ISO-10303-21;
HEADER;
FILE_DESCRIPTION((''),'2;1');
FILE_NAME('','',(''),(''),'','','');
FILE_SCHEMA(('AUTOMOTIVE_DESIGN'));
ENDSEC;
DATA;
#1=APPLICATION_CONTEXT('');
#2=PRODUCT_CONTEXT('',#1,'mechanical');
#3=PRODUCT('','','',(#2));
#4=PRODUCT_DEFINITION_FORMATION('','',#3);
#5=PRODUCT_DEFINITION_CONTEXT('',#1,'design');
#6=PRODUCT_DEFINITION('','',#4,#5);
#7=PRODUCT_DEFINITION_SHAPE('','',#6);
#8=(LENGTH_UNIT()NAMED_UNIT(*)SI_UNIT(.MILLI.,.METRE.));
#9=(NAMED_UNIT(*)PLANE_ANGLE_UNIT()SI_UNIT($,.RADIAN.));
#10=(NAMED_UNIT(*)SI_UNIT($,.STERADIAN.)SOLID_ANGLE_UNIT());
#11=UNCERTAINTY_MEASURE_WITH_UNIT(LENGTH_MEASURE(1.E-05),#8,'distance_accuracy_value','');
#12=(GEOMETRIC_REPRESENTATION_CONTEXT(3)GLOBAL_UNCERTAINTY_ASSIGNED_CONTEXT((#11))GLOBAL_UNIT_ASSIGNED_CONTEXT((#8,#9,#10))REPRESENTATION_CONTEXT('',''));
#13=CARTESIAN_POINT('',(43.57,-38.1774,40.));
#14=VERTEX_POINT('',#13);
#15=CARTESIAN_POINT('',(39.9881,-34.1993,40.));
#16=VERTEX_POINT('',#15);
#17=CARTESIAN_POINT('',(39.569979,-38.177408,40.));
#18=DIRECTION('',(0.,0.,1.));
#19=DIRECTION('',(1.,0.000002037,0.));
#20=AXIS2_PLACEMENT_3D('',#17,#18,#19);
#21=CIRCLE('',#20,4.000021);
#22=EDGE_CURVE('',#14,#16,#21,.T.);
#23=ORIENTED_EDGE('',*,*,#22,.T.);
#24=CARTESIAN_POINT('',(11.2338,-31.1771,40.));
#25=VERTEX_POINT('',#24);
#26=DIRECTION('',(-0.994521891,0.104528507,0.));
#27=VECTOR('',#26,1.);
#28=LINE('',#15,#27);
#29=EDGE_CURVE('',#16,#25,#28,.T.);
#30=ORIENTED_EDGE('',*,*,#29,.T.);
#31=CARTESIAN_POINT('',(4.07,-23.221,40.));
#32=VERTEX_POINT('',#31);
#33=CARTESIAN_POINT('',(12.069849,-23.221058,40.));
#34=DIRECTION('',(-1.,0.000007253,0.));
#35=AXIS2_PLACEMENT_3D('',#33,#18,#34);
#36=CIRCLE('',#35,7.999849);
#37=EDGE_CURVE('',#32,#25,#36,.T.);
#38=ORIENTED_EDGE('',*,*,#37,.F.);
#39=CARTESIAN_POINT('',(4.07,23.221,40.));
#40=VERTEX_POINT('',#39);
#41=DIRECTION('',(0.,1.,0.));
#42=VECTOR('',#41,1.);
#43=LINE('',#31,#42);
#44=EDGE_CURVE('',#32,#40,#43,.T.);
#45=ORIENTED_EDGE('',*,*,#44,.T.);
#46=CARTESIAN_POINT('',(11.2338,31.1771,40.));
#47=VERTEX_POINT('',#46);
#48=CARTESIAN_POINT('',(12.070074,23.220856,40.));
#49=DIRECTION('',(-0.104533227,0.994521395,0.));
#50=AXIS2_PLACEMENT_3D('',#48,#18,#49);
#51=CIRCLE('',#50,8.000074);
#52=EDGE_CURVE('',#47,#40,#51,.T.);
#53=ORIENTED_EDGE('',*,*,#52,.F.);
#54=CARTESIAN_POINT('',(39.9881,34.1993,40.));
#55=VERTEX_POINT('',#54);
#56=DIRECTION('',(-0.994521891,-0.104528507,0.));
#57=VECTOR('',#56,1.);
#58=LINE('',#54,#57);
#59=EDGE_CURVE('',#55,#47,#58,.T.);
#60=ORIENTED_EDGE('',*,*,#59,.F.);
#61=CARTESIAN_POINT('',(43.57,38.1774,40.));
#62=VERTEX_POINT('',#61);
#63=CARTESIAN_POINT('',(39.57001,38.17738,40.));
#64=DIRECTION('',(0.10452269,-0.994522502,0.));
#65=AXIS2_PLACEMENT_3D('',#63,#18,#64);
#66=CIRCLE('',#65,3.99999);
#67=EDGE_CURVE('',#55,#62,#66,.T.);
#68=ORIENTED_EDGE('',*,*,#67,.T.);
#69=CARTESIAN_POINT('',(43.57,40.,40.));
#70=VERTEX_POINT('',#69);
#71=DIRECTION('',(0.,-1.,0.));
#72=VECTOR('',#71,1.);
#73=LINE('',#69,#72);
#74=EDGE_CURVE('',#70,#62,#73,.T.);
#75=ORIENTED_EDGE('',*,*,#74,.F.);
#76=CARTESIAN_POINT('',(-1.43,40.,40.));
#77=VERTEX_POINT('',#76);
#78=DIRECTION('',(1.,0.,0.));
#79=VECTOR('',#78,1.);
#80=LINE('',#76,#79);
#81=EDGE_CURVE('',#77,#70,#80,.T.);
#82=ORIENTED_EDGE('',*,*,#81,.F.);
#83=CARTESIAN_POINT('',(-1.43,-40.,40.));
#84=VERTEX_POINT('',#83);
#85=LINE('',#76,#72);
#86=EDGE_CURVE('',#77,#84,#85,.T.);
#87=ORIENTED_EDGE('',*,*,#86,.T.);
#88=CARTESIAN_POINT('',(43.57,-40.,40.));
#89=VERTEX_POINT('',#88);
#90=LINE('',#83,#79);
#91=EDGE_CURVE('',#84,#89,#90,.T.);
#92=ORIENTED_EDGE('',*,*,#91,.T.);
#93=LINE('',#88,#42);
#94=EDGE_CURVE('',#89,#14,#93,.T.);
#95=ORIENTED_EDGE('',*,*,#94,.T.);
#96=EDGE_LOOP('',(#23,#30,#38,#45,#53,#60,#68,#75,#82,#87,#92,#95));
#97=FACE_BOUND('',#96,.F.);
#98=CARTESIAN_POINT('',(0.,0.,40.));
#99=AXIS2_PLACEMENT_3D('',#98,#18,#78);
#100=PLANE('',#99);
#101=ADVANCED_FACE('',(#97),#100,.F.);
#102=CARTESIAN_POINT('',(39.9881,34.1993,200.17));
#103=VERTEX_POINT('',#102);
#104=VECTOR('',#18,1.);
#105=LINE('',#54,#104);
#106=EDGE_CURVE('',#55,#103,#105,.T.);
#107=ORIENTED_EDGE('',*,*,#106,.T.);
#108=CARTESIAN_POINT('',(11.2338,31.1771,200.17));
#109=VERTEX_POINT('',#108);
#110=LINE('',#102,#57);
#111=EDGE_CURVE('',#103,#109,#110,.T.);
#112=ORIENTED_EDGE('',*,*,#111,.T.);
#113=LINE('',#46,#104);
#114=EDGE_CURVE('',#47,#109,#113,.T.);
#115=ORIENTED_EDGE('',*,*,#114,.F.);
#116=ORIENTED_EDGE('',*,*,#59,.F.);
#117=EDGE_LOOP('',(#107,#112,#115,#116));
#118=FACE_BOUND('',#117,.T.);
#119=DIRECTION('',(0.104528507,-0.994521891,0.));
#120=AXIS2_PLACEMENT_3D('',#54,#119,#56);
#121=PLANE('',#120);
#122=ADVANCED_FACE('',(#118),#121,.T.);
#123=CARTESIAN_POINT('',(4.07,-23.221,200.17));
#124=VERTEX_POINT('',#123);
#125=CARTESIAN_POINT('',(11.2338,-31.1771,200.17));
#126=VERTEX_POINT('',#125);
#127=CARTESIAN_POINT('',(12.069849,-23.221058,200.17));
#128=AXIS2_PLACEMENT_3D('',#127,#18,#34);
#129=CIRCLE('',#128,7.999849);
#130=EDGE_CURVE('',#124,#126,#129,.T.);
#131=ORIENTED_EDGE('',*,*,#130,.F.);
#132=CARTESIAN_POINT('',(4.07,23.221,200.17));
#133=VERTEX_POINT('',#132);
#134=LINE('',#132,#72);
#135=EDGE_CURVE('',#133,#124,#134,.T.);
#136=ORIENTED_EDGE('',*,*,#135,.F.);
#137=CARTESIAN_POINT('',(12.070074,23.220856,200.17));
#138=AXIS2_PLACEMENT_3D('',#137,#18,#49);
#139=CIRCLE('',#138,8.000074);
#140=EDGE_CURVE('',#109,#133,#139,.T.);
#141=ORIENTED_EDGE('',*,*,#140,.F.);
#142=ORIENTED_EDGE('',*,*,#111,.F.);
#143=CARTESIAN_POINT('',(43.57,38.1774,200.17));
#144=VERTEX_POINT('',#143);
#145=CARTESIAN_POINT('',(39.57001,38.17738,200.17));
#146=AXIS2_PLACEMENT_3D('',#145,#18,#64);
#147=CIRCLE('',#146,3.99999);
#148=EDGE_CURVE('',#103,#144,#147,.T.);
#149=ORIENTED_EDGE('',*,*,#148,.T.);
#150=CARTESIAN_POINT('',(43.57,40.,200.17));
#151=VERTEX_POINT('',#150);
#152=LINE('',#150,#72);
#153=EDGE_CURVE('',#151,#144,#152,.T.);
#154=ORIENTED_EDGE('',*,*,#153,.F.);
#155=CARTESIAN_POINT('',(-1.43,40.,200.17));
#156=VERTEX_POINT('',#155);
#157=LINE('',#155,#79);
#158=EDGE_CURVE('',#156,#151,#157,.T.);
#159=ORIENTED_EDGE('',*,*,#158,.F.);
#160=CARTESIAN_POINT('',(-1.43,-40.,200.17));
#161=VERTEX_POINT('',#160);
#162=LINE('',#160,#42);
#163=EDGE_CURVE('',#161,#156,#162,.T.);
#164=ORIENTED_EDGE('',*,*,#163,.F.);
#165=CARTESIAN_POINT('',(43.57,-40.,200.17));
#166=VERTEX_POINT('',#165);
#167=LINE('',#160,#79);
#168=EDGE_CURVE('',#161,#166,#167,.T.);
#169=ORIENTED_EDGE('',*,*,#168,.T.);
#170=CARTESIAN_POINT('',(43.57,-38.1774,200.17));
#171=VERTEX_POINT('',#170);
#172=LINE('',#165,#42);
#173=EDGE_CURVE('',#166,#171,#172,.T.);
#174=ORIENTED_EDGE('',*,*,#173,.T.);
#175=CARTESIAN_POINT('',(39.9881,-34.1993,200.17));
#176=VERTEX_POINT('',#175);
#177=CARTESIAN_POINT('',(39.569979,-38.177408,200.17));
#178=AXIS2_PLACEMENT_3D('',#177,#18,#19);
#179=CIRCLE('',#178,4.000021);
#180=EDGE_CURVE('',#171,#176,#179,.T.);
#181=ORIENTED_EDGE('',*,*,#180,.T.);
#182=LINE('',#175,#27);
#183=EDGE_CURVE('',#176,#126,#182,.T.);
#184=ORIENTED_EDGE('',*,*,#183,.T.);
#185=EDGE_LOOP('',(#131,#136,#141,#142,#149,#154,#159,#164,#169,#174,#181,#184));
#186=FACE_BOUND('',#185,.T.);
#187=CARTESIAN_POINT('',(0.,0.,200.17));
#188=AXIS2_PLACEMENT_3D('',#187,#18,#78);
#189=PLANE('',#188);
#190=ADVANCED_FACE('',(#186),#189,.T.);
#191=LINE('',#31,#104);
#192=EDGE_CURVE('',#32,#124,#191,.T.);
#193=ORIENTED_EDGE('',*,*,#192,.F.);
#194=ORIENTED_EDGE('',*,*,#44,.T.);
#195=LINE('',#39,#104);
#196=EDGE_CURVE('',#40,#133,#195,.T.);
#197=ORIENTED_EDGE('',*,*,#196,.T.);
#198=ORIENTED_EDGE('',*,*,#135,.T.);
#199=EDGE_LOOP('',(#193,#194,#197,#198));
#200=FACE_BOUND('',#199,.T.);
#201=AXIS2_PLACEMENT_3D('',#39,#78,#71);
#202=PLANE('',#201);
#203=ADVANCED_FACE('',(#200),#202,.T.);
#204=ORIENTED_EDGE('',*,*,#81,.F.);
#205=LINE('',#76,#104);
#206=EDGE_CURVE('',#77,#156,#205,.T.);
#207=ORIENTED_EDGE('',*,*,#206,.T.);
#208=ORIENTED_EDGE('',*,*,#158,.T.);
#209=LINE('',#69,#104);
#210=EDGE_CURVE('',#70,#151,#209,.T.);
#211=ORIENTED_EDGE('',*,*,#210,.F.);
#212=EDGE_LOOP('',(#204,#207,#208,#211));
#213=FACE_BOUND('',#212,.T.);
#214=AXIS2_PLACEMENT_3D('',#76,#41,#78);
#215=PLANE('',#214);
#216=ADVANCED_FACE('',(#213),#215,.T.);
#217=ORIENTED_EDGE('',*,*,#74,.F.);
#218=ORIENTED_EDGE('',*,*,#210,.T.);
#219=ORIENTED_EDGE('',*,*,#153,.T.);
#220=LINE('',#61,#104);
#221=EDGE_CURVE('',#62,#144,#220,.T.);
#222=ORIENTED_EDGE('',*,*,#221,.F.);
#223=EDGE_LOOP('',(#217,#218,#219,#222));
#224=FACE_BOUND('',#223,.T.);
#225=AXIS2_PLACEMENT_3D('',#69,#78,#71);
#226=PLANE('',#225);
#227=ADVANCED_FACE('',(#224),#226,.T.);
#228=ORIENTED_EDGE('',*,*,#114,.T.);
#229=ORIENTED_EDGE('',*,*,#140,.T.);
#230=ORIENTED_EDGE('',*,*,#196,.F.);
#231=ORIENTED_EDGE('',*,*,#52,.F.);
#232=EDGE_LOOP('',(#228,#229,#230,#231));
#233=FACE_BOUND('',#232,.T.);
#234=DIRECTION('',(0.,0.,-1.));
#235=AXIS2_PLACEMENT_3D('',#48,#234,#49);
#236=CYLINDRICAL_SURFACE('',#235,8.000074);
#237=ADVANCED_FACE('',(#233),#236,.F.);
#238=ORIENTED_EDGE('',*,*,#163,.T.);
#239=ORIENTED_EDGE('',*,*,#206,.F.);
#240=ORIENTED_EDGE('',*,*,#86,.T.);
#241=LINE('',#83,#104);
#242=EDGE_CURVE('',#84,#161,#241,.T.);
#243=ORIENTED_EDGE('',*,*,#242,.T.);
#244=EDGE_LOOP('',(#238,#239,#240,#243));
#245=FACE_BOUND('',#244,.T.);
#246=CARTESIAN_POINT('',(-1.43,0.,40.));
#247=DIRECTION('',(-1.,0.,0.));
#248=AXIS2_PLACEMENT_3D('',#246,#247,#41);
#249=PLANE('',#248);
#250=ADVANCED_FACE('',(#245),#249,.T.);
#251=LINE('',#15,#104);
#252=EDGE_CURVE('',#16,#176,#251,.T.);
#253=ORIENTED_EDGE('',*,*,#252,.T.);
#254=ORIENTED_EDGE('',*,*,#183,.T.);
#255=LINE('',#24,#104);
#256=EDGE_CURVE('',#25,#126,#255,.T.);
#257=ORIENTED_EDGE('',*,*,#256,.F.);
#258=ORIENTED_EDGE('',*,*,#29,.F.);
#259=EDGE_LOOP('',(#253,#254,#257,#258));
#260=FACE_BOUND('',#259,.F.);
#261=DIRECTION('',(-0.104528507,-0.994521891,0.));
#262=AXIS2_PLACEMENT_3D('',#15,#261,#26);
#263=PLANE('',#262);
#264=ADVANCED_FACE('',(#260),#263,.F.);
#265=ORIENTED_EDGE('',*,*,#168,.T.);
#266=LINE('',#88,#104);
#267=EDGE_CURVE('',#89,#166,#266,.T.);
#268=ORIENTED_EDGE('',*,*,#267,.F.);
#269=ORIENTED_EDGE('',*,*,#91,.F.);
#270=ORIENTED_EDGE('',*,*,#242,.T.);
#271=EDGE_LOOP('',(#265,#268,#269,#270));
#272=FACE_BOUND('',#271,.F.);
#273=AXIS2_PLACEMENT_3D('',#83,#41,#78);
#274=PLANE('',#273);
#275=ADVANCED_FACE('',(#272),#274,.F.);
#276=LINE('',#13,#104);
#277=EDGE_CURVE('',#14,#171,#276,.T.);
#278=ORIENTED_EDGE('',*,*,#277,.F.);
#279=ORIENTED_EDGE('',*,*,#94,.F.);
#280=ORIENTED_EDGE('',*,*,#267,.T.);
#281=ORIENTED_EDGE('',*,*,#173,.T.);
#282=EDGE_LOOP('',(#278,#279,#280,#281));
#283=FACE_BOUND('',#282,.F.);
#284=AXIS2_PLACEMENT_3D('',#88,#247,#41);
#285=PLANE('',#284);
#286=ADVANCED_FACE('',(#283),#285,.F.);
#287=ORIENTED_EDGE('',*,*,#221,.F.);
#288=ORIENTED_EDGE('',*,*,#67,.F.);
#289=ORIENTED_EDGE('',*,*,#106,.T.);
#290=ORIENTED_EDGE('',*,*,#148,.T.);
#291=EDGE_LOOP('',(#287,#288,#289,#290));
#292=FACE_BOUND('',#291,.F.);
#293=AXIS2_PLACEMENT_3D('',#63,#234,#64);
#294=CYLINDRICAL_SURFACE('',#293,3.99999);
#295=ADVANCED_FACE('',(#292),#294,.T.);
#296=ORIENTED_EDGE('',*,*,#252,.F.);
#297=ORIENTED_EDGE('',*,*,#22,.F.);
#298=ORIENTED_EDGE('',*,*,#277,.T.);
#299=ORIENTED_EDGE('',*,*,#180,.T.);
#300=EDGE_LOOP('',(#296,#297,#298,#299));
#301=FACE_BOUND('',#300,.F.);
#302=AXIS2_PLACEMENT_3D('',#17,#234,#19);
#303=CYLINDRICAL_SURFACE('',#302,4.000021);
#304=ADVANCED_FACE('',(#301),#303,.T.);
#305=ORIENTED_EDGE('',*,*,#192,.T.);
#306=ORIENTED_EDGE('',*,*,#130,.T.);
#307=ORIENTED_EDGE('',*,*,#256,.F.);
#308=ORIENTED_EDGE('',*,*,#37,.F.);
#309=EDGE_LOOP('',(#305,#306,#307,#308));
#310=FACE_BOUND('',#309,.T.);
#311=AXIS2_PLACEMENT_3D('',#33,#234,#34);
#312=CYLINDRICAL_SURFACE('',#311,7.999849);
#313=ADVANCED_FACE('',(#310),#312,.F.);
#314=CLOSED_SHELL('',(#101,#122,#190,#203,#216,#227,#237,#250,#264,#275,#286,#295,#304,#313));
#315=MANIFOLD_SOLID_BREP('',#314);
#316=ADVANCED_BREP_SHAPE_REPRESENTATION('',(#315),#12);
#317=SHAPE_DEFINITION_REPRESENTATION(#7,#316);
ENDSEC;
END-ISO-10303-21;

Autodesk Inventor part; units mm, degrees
ref_plane "Начальная плоскость" through (0, 0, 40) normal (0, 0, 1) x (1, 0, 0)
ref_plane "Конечная плоскость" through (0, 0, 200.17) normal (0, 0, 1) x (1, 0, 0)
sketch "Эскиз" plane through (0, 0, 0) normal (0, 0, 1) x (1, 0, 0)
  line L0 (-1.43, 0) -> (-1.43, 40)
  line L1 (-1.43, 40) -> (43.57, 40)
  line L2 (43.57, 40) -> (43.57, 38.1774)
  line L3 (39.9881, 34.1993) -> (11.2338, 31.1771)
  line L4 (4.07, 23.221) -> (4.07, 0)
  line L5 (4.07, 0) -> (-1.43, 0) construction
  line L6 (23.82, 40) -> (23.82, 32.5) construction
  line L7 (43.57, 34.5758) -> (43.57, 32.5) construction
  line L8 (43.57, 32.5) -> (23.82, 32.5) construction
  line L9 (0, 15) -> (0, -27) construction
  line L10 (-5.539, 0) -> (16.0067, 0) construction
  line L11 (-1.43, 0) -> (-1.43, -40)
  line L12 (-1.43, -40) -> (43.57, -40)
  line L13 (43.57, -40) -> (43.57, -38.1774)
  line L14 (39.9881, -34.1993) -> (11.2338, -31.1771)
  line L15 (4.07, -23.221) -> (4.07, 0)
  arc A0 (11.2338, 31.1771) -> (4.07, 23.221) centre (12.07, 23.221) ccw
  arc A1 (4.07, -23.221) -> (11.2338, -31.1771) centre (12.07, -23.221) ccw
  arc A2 (39.9881, 34.1993) -> (43.57, 38.1774) centre (39.57, 38.1774) ccw
  arc A3 (43.57, -38.1774) -> (39.9881, -34.1993) centre (39.57, -38.1774) ccw
  line L16 (0, 56) -> (0, -56) construction
  line L17 (-15.5135, 0) -> (54.308, 0) construction
  point P0 (4.07, 30.4242)
  point P1 (43.57, -34.5758)
  point P2 (4.07, -30.4242)
  point P3 (23.82, -40)
  point P4 (23.82, -32.5)
  dimension "d0" = 5.5
  dimension "d1" = 40
  dimension "d2" = 45
  dimension "d3" = 7.5
  dimension "d4" = 19.75
  dimension "d5" = 2.0758
  dimension "d23" = 8
  dimension "d24" = 4
  dimension "d25" = 1.43
extrude "Тело" add sketch "Эскиз" along normal up to surface (160.17 mm away) from surface at 40
sketch "Sketch3" plane through (0, 0, 0) normal (0, 0, 1) x (1, 0, 0)
  line L0 (0, 0) -> (10, 0)
ref_plane "Work Plane3" through (0, 0, 0) normal (0, -1, 0) x (1, 0, 0)
sketch "Sketch4" plane through (0, 0, 0) normal (0, -1, 0) x (1, 0, 0)
  line L0 (-2, 40) -> (12, 40)
  line L1 (-2, 200.17) -> (12, 200.17)
  dimension "d29" = 160.17
ref_plane "РабПлоскость4" through (0, 558, 0) normal (0, -1, 0) x (1, 0, 0)
ref_plane "РабПлоскость5" through (0, -157.0652, 0) normal (0, -1, 0) x (1, 0, 0)
ref_plane "РабПлоскость6" through (0, 200.4674, 0) normal (0, -1, 0) x (1, 0, 0)
sketch "Эскиз5" plane through (0, 200.4674, 0) normal (0, -1, 0) x (1, 0, 0)
  line L0 (-1.43, 0) -> (-1.43, 40)
  line L1 (-1.43, 40) -> (43.57, 40)
  line L2 (43.57, 40) -> (43.57, 38.1774)
  arc A0 (39.9881, 34.1993) -> (43.57, 38.1774) centre (39.57, 38.1774) ccw
  line L3 (39.9881, 34.1993) -> (11.2338, 31.1771)
  arc A1 (11.2338, 31.1771) -> (4.07, 23.221) centre (12.07, 23.221) ccw
  line L4 (4.07, 23.221) -> (4.07, 0)
  line L5 (4.07, -23.221) -> (4.07, 0)
  arc A2 (4.07, -23.221) -> (11.2338, -31.1771) centre (12.07, -23.221) ccw
  line L6 (39.9881, -34.1993) -> (11.2338, -31.1771)
  arc A3 (43.57, -38.1774) -> (39.9881, -34.1993) centre (39.57, -38.1774) ccw
  line L7 (43.57, -40) -> (43.57, -38.1774)
  line L8 (-1.43, -40) -> (43.57, -40)
  line L9 (-1.43, 0) -> (-1.43, -40)
extrude "Выдавливание2" add sketch "Эскиз5" along normal up to surface (715.0652 mm away) from surface at -357.5326 separate body
feature "Комбинировать1" [suppressed]
ref_plane "РабПлоскость7" through (0, -162.5, 240.17) normal (0, 1, 0) x (1, 0, 0)
ref_plane "РабПлоскость8" through (0, 558, 240.17) normal (0, 1, 0) x (1, 0, 0)
ref_plane "РабПлоскость9" through (0, 197.75, 240.17) normal (0, 1, 0) x (1, 0, 0)
sketch "Эскиз6" plane through (0, 197.75, 240.17) normal (0, 1, 0) x (1, 0, 0)
  line L0 (-1.43, 0) -> (-1.43, 40)
  line L1 (-1.43, 40) -> (43.57, 40)
  line L2 (43.57, 40) -> (43.57, 38.1774)
  arc A0 (39.9881, 34.1993) -> (43.57, 38.1774) centre (39.57, 38.1774) ccw
  line L3 (39.9881, 34.1993) -> (11.2338, 31.1771)
  arc A1 (11.2338, 31.1771) -> (4.07, 23.221) centre (12.07, 23.221) ccw
  line L4 (4.07, 23.221) -> (4.07, 0)
  line L5 (4.07, -23.221) -> (4.07, 0)
  arc A2 (4.07, -23.221) -> (11.2338, -31.1771) centre (12.07, -23.221) ccw
  line L6 (39.9881, -34.1993) -> (11.2338, -31.1771)
  arc A3 (43.57, -38.1774) -> (39.9881, -34.1993) centre (39.57, -38.1774) ccw
  line L7 (43.57, -40) -> (43.57, -38.1774)
  line L8 (-1.43, -40) -> (43.57, -40)
  line L9 (-1.43, 0) -> (-1.43, -40)
extrude "Выдавливание3" add sketch "Эскиз6" along normal up to surface (720.5 mm away) from surface at -360.25 separate body
feature "Комбинировать2" [suppressed]
ref_plane "РабПлоскость10" through (-1.43, 558, 40) normal (0, 0, -1) x (-1, 0, 0)
split "Разделение1" plane through (-1.43, 558, 40) removes the side toward (0, 0, -1)
ref_plane "РабПлоскость11" through (-1.43, -162.5, 200.17) normal (0, 0, 1) x (1, 0, 0)
split "Разделение2" plane through (-1.43, -162.5, 200.17) removes the side toward (0, 0, 1)
equation "\"d0\" = G_T"
equation "\"d1\" = 0.5 * G_H"
equation "\"d2\" = G_W"
equation "\"d3\" = G_T1"
equation "\"d4\" = G_C"
equation "\"d23\" = G_IR"
equation "\"d24\" = G_ER"
equation "\"d25\" = ex"
equation "\"d6\" = G_L"
equation "\"G_W\" = 45"
equation "\"G_T\" = 5.5"
equation "\"G_T1\" = 7.5"
equation "\"G_NG\" = 0.105104"
equation "\"G_ER\" = 4"
equation "\"G_IR\" = 8"
equation "\"G_C\" = 19.75"
equation "\"G_L\" = d29"
equation "\"ex\" = 1.43"
equation "\"d27\" = G_OFFSET_END + B_L"
equation "\"B_L\" = 240.17"
equation "\"G_H\" = 80"
equation "\"G_OFFSET_END\" = -40"
properties part number "ISO 657/11 - CH 80 x 8 - 160,17" material "Сталь, мягкая"
